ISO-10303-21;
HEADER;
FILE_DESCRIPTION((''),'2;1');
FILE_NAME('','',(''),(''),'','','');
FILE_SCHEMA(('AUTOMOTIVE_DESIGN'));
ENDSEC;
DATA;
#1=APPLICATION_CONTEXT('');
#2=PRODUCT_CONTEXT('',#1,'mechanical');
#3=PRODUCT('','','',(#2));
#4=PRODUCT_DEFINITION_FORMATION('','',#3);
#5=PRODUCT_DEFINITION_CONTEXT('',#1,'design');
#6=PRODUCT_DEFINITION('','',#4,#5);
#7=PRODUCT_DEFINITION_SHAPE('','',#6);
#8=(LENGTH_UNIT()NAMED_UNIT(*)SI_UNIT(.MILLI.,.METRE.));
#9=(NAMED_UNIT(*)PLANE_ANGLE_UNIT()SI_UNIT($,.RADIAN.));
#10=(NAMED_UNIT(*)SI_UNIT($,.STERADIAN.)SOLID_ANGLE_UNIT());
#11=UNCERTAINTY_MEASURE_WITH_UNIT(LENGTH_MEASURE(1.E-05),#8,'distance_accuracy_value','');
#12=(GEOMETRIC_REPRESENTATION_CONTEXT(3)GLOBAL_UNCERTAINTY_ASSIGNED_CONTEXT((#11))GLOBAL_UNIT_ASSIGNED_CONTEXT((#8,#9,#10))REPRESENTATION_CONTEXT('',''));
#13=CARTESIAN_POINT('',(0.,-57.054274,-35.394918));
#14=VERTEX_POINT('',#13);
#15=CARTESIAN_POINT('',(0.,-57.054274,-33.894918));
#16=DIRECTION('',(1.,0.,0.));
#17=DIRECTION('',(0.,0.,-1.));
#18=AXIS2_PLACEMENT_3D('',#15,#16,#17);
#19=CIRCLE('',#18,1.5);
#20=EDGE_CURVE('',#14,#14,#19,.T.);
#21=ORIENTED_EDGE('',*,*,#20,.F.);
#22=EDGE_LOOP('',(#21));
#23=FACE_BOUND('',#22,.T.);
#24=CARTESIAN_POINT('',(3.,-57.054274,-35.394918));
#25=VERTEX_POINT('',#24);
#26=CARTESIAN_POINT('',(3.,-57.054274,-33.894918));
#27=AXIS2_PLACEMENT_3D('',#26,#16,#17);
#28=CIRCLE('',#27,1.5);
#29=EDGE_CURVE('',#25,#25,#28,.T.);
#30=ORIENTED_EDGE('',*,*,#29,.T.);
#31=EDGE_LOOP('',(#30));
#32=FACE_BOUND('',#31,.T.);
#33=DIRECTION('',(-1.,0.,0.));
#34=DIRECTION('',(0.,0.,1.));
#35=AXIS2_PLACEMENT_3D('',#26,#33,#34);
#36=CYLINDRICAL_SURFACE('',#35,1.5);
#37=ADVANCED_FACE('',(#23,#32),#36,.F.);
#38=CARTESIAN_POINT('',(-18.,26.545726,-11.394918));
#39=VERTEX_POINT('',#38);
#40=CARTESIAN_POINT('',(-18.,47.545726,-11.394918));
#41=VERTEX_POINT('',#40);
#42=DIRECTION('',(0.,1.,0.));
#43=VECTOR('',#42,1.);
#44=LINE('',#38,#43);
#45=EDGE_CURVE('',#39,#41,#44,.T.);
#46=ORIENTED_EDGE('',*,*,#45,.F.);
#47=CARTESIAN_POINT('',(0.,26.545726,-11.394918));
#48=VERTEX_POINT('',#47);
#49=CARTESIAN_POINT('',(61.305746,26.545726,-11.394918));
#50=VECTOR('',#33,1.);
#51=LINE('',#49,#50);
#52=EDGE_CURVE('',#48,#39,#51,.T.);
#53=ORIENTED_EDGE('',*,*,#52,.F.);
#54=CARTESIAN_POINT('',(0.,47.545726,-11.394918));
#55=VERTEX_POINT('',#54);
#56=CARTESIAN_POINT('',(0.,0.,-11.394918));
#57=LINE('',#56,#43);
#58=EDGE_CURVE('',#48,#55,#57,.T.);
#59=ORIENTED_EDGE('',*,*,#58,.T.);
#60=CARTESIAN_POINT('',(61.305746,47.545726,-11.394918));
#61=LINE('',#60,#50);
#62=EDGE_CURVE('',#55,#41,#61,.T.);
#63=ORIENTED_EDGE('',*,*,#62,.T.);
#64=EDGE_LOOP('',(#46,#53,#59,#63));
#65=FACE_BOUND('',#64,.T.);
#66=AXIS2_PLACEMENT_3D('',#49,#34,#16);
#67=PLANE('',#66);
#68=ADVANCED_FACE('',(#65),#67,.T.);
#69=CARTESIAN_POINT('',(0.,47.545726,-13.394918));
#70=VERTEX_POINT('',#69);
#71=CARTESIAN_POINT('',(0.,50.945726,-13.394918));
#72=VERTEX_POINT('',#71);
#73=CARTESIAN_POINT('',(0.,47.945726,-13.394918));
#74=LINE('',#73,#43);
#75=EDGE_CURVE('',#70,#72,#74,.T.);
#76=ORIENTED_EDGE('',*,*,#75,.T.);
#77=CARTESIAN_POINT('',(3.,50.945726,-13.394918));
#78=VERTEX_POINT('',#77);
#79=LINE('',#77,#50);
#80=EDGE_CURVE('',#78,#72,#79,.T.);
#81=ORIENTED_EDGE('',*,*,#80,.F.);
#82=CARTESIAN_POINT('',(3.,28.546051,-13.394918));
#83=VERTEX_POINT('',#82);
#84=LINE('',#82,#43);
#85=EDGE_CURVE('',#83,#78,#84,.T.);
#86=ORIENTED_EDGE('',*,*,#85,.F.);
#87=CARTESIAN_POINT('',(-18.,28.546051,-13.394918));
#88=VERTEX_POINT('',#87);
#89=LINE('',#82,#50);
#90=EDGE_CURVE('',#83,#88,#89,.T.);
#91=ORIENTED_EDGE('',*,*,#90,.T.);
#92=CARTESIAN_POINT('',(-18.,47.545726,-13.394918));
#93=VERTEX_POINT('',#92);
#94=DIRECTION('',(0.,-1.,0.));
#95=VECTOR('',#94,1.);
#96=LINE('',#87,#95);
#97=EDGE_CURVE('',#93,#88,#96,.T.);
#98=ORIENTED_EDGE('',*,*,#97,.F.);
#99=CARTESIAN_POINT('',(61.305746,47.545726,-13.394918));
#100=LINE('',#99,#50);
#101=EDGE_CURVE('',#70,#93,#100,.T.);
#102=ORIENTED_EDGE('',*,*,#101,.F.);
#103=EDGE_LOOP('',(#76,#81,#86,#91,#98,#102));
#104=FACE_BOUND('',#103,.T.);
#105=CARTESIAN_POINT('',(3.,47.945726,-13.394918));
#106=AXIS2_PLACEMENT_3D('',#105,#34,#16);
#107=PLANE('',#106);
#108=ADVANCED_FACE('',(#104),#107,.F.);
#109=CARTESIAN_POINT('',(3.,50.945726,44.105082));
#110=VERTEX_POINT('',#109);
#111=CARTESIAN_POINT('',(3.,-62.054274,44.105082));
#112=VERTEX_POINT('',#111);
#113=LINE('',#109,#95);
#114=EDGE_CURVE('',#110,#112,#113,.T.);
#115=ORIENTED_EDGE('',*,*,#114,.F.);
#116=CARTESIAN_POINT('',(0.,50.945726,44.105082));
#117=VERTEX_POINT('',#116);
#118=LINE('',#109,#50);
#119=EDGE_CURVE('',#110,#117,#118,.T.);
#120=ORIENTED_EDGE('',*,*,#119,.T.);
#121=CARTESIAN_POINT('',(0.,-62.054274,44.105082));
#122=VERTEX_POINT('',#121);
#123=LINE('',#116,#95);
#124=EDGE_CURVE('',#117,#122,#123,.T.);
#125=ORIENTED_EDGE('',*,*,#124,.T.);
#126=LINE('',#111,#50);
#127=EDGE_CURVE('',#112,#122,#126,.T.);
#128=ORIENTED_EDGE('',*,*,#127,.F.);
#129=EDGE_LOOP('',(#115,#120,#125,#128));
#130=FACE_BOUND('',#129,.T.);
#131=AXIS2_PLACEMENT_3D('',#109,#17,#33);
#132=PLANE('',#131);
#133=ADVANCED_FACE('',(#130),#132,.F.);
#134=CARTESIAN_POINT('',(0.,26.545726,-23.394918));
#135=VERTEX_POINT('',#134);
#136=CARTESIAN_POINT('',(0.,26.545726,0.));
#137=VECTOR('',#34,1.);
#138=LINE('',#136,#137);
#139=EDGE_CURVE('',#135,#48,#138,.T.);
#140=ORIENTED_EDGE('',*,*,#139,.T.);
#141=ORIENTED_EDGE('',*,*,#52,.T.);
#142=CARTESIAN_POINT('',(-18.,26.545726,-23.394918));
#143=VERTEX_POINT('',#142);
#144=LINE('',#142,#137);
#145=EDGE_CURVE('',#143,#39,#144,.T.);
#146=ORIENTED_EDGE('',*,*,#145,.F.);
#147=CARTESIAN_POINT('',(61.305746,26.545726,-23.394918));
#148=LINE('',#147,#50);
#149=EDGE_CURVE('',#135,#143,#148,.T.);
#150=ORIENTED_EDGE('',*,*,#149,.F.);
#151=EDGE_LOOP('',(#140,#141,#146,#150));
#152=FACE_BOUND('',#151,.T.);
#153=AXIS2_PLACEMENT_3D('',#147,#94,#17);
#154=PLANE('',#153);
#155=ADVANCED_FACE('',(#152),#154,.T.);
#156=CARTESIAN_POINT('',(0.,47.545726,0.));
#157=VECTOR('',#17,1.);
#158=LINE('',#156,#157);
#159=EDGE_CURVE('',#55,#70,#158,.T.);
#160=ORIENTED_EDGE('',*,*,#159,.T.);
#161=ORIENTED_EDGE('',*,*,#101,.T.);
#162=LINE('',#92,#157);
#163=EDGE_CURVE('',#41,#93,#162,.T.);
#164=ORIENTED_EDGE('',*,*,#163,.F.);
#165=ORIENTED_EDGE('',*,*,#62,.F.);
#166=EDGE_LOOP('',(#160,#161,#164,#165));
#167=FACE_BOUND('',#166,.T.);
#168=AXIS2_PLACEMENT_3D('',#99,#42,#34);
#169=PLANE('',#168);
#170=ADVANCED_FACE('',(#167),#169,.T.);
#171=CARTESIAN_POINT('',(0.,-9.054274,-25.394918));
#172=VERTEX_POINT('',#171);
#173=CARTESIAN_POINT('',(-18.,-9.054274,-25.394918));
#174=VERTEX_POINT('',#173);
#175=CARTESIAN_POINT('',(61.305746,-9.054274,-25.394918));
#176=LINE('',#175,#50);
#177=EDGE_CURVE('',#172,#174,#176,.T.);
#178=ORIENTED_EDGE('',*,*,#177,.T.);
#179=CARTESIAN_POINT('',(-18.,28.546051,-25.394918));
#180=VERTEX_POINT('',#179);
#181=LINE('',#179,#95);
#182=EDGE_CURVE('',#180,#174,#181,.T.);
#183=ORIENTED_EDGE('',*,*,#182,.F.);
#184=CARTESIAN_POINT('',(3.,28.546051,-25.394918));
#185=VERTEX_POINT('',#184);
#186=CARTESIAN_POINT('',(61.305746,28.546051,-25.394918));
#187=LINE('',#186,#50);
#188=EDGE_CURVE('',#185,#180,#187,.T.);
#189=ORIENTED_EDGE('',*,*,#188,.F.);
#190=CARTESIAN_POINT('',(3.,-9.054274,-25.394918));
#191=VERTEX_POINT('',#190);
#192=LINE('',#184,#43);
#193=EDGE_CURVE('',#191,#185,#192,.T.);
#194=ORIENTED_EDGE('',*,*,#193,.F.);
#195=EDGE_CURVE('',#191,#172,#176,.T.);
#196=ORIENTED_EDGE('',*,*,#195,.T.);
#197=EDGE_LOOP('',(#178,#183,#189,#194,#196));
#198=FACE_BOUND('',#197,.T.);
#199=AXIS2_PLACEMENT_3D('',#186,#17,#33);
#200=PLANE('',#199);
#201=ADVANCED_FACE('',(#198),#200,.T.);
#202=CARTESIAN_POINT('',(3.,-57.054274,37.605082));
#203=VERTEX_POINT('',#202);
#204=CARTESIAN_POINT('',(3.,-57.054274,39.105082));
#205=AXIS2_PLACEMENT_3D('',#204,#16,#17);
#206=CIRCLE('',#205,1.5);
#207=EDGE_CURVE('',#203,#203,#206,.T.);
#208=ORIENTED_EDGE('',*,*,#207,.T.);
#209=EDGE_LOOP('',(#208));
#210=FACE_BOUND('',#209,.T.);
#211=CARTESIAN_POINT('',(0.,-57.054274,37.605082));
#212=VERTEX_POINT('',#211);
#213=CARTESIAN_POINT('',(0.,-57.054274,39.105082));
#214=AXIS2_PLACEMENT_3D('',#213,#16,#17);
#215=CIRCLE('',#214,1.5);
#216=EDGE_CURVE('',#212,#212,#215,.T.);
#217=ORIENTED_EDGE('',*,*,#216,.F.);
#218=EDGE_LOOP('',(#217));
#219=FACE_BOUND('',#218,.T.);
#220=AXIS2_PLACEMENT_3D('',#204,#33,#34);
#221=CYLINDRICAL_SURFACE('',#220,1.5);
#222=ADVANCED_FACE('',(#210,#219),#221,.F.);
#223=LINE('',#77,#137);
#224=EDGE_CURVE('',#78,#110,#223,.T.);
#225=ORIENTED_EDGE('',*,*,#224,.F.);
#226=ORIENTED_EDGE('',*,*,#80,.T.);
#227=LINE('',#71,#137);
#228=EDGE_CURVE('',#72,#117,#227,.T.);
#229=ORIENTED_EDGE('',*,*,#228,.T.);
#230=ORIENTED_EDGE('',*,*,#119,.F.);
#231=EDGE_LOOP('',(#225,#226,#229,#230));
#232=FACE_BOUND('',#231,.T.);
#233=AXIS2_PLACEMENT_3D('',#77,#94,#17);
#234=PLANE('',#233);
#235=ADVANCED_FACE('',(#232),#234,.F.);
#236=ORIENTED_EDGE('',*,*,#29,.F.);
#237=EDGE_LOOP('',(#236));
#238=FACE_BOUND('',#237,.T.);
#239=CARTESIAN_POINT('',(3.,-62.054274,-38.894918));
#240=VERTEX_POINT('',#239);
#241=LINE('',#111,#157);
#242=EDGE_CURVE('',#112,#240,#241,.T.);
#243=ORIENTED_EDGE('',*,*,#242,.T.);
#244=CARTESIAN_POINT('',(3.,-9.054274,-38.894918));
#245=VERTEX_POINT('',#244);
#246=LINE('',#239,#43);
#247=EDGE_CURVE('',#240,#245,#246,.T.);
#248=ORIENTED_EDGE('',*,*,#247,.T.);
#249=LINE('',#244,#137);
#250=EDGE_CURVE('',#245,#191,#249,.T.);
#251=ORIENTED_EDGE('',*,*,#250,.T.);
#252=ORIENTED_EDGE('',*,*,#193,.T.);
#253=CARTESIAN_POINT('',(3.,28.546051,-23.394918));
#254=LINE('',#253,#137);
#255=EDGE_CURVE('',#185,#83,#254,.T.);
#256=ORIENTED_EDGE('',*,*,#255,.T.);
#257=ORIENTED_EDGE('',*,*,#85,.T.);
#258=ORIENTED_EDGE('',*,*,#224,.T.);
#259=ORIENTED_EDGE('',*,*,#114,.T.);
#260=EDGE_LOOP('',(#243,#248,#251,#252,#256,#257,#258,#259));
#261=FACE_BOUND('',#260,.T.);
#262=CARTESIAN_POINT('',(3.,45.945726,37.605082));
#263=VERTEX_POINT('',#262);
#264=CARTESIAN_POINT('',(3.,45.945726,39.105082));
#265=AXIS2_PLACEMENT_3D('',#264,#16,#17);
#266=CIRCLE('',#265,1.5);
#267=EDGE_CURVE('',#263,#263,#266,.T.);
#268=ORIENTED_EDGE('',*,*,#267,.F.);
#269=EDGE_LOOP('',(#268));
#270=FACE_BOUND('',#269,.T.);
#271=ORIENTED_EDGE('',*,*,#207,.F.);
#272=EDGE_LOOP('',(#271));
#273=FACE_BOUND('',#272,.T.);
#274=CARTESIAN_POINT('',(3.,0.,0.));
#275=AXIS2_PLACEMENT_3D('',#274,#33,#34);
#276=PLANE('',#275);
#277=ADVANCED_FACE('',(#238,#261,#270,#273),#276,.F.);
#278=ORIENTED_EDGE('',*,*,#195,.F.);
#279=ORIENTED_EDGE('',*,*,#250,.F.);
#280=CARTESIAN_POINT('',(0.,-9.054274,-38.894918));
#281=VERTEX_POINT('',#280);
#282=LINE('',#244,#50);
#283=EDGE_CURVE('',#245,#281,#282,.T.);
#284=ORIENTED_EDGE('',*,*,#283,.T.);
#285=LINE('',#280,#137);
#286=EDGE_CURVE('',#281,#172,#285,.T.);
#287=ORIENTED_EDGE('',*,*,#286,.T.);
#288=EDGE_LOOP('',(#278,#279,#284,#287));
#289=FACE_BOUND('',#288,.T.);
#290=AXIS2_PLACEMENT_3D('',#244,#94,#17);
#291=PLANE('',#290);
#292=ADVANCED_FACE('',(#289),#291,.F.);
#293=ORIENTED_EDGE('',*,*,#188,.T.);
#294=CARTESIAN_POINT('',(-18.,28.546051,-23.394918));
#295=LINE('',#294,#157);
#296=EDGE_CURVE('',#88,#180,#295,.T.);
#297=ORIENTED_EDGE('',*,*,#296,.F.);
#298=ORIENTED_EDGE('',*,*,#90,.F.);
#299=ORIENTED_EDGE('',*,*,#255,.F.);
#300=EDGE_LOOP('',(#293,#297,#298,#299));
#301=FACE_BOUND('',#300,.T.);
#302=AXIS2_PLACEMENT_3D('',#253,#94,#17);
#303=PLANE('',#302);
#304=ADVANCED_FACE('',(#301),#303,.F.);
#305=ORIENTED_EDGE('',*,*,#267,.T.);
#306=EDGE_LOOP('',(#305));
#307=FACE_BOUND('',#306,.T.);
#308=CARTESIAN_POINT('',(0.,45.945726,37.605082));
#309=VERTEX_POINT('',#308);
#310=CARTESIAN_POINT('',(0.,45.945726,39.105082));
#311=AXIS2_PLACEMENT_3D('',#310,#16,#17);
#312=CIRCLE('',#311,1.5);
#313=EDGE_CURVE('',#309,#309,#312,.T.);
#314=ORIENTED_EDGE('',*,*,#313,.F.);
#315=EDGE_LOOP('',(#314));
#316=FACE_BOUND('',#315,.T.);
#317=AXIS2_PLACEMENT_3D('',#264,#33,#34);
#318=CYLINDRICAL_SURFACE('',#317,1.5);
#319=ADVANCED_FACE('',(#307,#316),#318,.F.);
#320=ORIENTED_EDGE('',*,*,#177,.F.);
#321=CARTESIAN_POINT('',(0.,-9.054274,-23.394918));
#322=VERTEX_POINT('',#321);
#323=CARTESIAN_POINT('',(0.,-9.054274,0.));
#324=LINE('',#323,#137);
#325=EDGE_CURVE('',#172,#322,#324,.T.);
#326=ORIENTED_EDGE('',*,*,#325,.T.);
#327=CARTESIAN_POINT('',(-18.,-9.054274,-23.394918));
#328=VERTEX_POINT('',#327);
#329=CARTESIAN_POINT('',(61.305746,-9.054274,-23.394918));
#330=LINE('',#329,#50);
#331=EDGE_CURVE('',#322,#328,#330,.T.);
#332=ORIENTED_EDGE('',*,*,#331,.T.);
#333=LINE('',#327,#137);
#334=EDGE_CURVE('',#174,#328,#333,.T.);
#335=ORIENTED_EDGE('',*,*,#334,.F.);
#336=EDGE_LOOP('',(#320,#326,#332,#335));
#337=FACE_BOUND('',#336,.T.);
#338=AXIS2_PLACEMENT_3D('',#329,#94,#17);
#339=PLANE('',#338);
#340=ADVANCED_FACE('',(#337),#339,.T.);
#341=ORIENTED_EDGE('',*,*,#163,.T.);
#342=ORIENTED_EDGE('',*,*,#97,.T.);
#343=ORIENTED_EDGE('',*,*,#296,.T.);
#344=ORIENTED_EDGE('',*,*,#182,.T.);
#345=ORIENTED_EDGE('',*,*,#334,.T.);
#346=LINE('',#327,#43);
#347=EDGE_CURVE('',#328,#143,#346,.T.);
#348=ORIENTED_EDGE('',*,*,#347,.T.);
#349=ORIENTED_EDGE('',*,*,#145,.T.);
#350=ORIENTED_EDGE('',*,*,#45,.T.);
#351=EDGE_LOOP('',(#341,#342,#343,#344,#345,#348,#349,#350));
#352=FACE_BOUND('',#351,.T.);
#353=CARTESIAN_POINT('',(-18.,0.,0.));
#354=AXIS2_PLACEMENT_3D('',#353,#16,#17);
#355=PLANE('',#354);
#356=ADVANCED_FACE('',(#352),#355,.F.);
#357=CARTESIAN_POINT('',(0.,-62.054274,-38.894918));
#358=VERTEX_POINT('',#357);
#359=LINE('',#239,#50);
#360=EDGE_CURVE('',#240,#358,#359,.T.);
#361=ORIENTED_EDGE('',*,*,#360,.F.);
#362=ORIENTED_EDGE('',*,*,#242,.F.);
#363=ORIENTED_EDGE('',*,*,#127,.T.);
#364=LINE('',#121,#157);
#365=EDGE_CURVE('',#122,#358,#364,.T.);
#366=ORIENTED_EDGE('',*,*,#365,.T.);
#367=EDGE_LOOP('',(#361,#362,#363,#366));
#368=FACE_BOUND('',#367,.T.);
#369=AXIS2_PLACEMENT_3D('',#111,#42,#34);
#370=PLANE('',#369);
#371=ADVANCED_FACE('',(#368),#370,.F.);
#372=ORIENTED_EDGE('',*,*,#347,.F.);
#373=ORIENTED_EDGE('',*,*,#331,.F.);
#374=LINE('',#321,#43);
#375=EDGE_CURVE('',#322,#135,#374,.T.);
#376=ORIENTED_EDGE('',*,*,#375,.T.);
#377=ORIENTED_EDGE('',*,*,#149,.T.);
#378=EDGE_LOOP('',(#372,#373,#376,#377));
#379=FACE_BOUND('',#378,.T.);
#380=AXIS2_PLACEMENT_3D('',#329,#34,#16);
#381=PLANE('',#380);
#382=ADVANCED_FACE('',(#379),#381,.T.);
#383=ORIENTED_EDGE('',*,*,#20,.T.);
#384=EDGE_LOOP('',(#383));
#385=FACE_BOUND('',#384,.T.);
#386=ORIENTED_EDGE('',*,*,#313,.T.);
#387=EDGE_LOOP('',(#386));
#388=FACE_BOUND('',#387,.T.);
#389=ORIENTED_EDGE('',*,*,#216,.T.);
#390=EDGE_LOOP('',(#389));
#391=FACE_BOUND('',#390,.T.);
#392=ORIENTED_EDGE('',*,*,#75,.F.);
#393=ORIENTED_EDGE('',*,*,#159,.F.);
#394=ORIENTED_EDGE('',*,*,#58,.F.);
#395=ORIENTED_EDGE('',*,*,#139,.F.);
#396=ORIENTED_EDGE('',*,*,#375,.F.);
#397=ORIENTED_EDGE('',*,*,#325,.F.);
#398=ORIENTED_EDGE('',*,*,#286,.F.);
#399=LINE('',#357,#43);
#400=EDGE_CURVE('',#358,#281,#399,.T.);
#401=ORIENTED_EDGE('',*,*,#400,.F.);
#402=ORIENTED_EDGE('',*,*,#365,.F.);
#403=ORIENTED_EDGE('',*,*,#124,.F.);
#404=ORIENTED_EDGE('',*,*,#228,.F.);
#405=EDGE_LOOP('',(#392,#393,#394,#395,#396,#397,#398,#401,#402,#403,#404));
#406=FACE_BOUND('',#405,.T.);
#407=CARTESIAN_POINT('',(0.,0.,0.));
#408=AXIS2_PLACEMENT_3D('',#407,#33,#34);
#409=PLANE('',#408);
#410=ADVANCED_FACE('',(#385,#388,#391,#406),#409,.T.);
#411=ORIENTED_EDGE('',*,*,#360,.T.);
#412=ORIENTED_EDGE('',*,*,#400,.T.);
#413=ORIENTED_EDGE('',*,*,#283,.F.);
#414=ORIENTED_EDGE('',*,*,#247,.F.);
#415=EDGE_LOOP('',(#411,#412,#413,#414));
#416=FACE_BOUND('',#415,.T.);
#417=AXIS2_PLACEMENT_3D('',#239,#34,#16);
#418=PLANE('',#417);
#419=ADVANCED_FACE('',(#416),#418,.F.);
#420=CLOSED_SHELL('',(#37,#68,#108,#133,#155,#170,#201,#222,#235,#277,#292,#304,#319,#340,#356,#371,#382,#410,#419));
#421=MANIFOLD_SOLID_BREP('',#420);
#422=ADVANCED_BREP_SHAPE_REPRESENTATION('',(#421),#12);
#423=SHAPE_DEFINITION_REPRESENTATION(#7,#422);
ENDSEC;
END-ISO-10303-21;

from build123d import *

# Parameters (mm, degrees)
SKETCH1_R                       = 1.5
BOSS_EXTRUDE1_DEPTH             = 3
BOSS_EXTRUDE2_DEPTH             = 18
BOSS_EXTRUDE2_DIRECTION_2_REACH = 78.19


with BuildPart() as part:
    # Sketch1 → Boss-Extrude1 (new body)
    with BuildSketch(Plane.YZ):
        Polygon((-9.054273726, -23.394917756), (28.546051212, -23.394917756), (28.546051212, -13.394917756), (47.945726274, -13.394917756), (50.945726274, -13.394917756), (50.945726274, 44.105082244), (-62.054273726, 44.105082244), (-62.054273726, -38.894917756), (-9.054273726, -38.894917756), align=None)
        with Locations(Location((-57.054273726, -33.894917756, 0), (0, 0, 270))):
            Circle(SKETCH1_R, mode=Mode.SUBTRACT)
        with Locations(Location((-57.054273726, 39.105082244, 0), (0, 0, 270))):
            Circle(SKETCH1_R, mode=Mode.SUBTRACT)
        with Locations(Location((45.945726274, 39.105082244, 0), (0, 0, 270))):
            Circle(SKETCH1_R, mode=Mode.SUBTRACT)
    extrude(amount=BOSS_EXTRUDE1_DEPTH)

    # Sketch2 → Boss-Extrude2 (add)
    with BuildSketch(Plane(origin=(0, 0, 0), x_dir=(0, -1, 0), z_dir=(-1, 0, 0))):
        Polygon((9.054273726, -23.394917756), (9.054273726, -25.394917756), (-28.546051212, -25.394917756), (-28.546051212, -23.394917756), (-28.546051212, -13.394917756), (-47.545726274, -13.394917756), (-47.545726274, -11.394917756), (-26.545726274, -11.394917756), (-26.545726274, -23.394917756), align=None)
    extrude(amount=BOSS_EXTRUDE2_DEPTH)

    # Boss-Extrude2 direction 2: up to this face of the body (flat: up to its plane)
    boss_extrude2_direction_2_end = Plane(part.part.faces().sort_by_distance((3, -9.750873795, 6.972989725))[0])
    # Sketch2 → Boss-Extrude2 direction 2 (add, up to the picked face)
    with BuildSketch(Plane(origin=(0, 0, 0), x_dir=(0, -1, 0), z_dir=(-1, 0, 0)), mode=Mode.PRIVATE) as boss_extrude2_direction_2_sk1:
        Polygon((9.054273726, -23.394917756), (9.054273726, -25.394917756), (-28.546051212, -25.394917756), (-28.546051212, -23.394917756), (-28.546051212, -13.394917756), (-47.545726274, -13.394917756), (-47.545726274, -11.394917756), (-26.545726274, -11.394917756), (-26.545726274, -23.394917756), align=None)
    boss_extrude2_direction_2_tool1 = split(extrude(boss_extrude2_direction_2_sk1.sketch, amount=-BOSS_EXTRUDE2_DIRECTION_2_REACH, mode=Mode.PRIVATE), bisect_by=boss_extrude2_direction_2_end, keep=Keep.BOTH, mode=Mode.PRIVATE)
    add(boss_extrude2_direction_2_tool1.solids().sort_by(Axis((0, -8.471216, -24.394918), (1, 0, 0)))[0])


solid = part.part
